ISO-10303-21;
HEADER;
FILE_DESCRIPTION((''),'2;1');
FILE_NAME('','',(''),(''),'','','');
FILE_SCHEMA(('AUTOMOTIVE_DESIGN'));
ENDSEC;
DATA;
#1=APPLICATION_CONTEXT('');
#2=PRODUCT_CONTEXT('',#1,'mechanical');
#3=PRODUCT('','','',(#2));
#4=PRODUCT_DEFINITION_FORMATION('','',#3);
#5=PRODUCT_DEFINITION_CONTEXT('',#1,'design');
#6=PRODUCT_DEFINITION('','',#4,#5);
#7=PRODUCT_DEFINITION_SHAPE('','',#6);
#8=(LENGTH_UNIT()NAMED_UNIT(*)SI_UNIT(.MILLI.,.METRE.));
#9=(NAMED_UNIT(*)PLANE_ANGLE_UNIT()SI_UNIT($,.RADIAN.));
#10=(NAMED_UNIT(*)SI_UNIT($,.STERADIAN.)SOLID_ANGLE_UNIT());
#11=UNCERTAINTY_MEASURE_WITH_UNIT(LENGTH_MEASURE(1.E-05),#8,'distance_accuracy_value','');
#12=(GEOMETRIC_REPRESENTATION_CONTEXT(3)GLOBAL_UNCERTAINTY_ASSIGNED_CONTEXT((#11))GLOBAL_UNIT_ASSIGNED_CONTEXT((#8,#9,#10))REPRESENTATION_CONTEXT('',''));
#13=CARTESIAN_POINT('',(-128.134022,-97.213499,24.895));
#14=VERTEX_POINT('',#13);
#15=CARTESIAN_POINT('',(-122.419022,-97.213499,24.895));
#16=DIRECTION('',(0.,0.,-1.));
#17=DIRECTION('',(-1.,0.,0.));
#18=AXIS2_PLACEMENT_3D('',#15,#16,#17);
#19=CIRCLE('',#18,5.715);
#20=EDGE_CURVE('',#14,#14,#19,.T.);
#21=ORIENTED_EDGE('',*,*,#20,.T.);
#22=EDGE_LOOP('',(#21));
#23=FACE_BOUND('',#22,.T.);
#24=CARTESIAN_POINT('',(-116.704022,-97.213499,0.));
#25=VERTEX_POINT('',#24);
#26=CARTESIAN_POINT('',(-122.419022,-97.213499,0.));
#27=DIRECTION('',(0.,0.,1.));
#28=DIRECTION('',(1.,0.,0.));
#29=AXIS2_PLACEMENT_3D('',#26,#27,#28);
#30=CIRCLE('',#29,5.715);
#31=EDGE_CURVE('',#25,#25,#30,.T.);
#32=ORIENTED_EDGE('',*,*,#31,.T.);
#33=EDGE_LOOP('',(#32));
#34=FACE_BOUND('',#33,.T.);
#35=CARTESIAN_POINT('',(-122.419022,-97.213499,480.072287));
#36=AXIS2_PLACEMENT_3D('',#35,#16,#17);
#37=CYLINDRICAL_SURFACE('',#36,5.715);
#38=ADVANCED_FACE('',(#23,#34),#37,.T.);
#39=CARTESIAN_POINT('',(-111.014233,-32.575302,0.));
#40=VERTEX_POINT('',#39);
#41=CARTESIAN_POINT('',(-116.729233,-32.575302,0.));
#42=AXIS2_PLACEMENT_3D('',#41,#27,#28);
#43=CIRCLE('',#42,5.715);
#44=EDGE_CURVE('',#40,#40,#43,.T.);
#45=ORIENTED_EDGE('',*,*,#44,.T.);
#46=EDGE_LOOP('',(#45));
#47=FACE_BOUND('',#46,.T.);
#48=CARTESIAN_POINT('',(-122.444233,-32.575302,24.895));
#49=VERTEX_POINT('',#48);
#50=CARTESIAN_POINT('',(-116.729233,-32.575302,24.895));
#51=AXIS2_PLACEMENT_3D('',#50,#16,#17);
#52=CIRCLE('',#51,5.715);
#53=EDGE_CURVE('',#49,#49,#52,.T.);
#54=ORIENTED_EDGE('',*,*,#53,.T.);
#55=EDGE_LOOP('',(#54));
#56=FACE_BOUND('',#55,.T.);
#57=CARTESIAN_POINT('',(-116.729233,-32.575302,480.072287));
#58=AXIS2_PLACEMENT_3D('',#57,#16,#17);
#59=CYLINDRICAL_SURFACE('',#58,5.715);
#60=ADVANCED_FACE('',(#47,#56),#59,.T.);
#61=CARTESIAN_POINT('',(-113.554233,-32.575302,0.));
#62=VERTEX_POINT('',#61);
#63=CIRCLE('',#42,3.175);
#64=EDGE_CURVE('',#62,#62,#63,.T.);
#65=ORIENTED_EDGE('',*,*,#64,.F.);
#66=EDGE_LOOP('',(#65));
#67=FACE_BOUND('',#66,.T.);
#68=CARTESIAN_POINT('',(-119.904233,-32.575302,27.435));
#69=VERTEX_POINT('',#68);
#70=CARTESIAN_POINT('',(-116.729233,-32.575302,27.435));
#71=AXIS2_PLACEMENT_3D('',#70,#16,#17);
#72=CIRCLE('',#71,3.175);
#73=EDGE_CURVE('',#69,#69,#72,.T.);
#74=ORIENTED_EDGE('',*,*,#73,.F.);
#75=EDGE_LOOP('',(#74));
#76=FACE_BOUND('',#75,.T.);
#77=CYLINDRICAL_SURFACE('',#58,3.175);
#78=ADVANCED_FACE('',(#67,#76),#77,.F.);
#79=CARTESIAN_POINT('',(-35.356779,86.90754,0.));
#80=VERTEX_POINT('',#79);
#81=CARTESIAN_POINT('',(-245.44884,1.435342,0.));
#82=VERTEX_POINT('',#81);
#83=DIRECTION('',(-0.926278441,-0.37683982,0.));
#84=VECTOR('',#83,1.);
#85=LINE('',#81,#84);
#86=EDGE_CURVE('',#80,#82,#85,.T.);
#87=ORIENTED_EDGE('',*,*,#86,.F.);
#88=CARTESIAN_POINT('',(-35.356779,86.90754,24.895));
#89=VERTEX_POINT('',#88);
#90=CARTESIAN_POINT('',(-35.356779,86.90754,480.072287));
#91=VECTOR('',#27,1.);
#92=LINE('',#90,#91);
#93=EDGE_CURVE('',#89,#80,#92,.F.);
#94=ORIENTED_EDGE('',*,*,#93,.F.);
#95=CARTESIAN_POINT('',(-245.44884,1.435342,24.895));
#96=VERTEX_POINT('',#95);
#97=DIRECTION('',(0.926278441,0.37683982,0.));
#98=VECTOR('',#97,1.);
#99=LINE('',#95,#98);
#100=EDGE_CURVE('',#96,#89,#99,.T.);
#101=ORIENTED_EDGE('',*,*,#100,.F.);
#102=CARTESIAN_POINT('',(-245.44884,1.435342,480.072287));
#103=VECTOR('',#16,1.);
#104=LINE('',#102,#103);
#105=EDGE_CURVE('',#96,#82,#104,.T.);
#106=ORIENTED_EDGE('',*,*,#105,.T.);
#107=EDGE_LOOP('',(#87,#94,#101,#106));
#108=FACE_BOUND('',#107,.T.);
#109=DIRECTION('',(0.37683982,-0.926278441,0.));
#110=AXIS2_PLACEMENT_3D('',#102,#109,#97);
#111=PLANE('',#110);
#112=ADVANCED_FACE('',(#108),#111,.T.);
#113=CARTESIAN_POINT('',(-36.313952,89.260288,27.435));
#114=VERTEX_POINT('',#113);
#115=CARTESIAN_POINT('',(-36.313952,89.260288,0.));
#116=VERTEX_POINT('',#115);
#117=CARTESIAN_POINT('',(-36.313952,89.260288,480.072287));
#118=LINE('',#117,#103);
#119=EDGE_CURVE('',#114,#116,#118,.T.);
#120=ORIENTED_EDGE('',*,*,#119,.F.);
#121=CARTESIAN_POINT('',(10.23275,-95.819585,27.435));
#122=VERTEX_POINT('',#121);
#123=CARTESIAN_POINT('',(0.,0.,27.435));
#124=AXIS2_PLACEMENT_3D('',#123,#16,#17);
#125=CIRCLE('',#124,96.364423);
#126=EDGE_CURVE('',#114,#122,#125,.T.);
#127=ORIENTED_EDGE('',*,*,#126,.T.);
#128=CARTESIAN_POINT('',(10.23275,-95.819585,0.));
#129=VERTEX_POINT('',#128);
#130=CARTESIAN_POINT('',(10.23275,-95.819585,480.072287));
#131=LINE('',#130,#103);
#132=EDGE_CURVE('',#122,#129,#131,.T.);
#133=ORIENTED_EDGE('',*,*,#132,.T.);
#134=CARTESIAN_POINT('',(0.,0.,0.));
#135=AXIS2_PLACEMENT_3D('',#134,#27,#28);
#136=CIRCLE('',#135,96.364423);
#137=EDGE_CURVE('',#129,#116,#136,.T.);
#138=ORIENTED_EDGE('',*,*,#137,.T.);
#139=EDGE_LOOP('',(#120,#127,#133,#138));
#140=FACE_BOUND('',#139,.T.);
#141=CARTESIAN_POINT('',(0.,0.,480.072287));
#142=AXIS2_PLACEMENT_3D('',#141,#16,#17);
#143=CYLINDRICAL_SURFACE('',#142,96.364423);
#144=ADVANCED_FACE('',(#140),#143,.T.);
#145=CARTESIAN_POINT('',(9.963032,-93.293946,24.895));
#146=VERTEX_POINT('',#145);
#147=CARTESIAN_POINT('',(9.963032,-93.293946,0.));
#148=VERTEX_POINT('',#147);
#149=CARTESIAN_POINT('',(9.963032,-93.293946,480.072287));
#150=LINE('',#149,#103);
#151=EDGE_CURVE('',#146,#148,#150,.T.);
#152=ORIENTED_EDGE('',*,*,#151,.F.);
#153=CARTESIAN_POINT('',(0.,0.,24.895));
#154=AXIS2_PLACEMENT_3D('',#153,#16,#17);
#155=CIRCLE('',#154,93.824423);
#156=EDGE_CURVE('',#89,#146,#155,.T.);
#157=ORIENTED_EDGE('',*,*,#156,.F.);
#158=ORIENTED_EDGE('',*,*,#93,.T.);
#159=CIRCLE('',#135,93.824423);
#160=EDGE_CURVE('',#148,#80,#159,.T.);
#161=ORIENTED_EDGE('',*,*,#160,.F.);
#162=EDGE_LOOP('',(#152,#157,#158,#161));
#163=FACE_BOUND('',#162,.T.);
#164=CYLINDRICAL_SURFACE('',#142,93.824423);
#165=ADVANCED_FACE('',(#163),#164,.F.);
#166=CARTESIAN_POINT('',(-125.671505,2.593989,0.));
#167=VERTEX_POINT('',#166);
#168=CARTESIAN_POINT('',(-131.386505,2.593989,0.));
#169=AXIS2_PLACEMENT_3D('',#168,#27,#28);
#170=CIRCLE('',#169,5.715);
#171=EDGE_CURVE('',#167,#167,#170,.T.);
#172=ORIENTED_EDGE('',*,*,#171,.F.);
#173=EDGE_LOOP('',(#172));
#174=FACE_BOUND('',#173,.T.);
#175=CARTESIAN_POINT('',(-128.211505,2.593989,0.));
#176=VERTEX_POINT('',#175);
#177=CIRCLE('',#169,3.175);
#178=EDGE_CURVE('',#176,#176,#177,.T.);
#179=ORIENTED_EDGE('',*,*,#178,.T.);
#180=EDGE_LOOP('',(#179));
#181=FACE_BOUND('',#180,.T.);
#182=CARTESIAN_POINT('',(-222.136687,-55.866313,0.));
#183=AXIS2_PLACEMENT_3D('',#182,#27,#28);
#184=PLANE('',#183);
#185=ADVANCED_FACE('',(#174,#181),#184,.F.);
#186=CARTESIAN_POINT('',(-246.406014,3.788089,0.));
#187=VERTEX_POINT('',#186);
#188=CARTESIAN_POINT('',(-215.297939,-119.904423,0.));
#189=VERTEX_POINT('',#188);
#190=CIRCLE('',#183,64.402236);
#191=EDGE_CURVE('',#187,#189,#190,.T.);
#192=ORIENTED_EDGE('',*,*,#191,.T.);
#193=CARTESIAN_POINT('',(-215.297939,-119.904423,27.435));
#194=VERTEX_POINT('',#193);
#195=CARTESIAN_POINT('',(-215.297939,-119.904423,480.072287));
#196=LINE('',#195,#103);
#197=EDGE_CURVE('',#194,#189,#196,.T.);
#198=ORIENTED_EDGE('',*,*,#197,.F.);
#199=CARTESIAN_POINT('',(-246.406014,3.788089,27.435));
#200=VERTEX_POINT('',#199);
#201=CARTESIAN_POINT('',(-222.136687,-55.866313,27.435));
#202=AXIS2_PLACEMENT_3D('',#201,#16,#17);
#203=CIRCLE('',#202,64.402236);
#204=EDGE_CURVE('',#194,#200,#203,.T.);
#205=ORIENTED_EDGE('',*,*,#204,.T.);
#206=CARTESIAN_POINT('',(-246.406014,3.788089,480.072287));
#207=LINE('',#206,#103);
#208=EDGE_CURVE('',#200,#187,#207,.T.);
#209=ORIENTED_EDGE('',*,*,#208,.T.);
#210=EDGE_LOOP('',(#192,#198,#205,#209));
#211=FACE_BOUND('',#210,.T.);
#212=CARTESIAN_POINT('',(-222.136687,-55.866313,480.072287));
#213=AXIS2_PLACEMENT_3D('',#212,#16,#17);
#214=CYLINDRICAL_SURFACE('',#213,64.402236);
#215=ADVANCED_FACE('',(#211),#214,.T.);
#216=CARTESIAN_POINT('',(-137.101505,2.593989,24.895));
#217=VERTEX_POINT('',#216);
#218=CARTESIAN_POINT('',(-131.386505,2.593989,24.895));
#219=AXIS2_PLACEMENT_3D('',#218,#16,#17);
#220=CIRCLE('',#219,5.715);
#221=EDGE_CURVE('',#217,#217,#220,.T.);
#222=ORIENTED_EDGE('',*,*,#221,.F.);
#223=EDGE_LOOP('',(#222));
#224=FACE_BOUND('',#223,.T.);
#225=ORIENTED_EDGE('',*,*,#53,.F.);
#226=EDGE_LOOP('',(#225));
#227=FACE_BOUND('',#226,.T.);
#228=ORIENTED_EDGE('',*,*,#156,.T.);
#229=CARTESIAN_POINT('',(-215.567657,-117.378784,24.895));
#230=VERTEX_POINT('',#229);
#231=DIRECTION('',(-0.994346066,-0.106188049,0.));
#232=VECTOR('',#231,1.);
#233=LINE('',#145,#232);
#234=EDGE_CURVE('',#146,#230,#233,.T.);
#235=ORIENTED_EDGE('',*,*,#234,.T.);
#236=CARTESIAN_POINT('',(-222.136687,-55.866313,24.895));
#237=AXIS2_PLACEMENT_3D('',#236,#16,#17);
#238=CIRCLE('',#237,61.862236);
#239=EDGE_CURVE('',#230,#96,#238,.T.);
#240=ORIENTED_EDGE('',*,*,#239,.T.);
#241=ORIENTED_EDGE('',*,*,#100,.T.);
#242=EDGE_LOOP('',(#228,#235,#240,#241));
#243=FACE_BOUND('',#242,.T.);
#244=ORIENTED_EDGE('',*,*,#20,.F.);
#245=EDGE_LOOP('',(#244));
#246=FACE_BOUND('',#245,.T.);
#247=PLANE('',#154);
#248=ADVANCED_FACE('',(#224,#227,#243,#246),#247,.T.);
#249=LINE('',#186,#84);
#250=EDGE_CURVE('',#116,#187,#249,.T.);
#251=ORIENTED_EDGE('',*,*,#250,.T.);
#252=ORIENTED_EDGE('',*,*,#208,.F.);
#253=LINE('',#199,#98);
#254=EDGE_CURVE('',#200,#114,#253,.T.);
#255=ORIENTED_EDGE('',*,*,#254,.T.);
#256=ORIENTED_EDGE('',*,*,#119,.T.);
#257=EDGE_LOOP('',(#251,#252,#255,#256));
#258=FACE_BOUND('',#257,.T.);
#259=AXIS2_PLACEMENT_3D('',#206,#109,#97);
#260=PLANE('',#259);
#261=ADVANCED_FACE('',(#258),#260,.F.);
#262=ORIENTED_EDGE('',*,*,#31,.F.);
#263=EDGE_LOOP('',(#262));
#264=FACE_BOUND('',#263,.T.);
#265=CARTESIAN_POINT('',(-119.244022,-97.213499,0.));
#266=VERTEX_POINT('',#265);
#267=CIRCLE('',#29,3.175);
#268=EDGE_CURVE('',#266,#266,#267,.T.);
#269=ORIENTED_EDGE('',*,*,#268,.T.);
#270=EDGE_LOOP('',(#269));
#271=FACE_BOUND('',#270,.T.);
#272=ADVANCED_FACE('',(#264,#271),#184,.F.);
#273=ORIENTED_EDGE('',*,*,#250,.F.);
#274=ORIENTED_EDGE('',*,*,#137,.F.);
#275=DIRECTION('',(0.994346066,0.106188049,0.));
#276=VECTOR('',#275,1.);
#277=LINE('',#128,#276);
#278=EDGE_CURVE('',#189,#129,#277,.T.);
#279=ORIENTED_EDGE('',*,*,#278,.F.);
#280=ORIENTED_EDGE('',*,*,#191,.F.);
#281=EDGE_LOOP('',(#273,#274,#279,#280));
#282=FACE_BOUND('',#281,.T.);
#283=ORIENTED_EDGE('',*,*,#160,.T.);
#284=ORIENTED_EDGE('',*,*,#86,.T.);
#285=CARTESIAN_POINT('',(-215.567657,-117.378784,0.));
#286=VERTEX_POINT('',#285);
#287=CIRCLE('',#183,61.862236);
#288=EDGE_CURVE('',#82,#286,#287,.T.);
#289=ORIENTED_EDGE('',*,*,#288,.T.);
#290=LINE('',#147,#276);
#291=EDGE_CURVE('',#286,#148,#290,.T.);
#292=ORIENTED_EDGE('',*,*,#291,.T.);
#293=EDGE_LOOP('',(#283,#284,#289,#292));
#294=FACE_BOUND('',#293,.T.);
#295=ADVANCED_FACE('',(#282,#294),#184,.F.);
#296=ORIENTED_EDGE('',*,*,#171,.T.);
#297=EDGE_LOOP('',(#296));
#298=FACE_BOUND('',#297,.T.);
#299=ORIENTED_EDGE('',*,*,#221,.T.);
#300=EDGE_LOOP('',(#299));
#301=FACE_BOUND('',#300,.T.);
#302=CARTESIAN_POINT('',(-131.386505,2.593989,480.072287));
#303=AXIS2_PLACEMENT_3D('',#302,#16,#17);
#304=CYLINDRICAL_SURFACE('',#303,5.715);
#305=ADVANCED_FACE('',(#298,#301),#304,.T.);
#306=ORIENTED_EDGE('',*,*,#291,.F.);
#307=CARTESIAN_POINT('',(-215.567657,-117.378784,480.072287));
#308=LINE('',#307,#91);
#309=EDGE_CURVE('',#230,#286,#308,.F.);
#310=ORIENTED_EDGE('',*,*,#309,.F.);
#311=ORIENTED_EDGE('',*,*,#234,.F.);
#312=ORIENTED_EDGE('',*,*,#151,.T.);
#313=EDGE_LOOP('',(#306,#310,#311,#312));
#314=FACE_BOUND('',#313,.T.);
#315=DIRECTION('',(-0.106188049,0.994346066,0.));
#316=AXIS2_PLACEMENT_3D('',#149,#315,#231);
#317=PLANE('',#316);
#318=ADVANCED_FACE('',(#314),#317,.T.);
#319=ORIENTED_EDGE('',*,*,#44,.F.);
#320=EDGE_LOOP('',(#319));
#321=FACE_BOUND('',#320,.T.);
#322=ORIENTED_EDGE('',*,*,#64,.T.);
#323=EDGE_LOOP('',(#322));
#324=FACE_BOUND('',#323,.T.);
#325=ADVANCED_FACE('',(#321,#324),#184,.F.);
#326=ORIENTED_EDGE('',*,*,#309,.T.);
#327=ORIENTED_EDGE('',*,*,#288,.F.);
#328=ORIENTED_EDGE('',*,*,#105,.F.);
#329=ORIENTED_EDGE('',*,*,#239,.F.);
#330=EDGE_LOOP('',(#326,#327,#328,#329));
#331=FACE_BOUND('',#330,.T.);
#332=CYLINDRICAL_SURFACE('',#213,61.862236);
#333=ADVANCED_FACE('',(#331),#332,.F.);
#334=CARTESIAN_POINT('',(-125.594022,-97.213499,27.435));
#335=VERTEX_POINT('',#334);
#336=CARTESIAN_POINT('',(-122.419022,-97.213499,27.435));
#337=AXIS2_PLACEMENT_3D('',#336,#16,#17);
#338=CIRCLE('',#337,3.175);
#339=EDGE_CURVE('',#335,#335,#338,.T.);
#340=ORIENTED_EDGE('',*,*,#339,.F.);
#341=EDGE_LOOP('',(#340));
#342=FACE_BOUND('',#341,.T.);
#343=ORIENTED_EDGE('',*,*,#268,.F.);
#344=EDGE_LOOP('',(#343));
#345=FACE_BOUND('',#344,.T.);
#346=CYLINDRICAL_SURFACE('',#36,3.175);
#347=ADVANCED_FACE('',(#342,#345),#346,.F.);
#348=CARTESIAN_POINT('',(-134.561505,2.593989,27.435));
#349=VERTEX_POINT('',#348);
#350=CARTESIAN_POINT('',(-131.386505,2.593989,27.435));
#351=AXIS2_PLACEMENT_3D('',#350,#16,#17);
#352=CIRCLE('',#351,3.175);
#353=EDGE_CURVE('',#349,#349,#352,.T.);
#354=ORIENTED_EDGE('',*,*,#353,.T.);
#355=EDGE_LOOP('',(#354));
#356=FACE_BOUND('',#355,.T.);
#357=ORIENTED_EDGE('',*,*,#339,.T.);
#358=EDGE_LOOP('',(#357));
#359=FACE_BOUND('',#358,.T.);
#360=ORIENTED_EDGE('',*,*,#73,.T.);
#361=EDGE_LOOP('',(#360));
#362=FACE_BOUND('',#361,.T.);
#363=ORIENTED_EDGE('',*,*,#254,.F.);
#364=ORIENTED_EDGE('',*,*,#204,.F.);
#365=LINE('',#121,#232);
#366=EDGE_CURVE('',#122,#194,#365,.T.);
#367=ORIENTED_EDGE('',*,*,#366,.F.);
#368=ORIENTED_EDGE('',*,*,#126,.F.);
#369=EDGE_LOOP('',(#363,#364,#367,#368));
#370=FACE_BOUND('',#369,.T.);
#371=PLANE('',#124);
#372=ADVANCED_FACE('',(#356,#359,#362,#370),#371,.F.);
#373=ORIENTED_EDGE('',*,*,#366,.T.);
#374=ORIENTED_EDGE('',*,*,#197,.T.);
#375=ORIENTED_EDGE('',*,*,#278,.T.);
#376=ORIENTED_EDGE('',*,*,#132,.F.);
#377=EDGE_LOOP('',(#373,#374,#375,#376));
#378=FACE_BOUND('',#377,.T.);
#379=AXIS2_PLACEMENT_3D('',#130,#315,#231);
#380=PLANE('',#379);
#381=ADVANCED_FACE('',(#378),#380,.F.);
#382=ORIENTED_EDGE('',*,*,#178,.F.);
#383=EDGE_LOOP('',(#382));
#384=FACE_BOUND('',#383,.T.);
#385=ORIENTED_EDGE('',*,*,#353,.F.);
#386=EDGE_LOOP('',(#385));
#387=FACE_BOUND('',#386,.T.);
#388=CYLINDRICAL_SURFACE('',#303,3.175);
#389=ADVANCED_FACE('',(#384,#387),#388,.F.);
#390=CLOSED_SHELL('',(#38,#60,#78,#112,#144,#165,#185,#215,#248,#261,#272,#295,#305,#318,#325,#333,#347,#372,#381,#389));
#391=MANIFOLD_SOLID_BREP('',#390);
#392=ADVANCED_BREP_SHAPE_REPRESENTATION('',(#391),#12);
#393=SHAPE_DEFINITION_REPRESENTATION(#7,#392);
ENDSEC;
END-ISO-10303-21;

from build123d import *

# Parameters (mm, degrees)
SKETCH1_R           = 3.175
BOSS_EXTRUDE1_DEPTH = 27.435
SHELL1_T            = -2.54


with BuildPart() as part:
    # Sketch1 → Boss-Extrude1 (new body)
    with BuildSketch(Plane.XY):
        with BuildLine():
            Line((-246.406013588, 3.788089061), (-36.31395184, 89.260287536))
            ThreePointArc((-36.31395184, 89.260287536), (93.454251213, 23.503296779), (10.232750038, -95.819584929))
            Line((10.232750038, -95.819584929), (-215.29793902, -119.904422791))
            ThreePointArc((-215.29793902, -119.904422791), (-284.593997313, -71.574027866), (-246.406013588, 3.788089061))
        make_face()
        with Locations(Location((-131.38650471, 2.593989183, 0), (0, 0, 180))):
            Circle(SKETCH1_R, mode=Mode.SUBTRACT)
        with Locations(Location((-116.729233004, -32.575302177, 0), (0, 0, 180))):
            Circle(SKETCH1_R, mode=Mode.SUBTRACT)
        with Locations(Location((-122.41902156, -97.213498796, 0), (0, 0, 180))):
            Circle(SKETCH1_R, mode=Mode.SUBTRACT)
    extrude(amount=BOSS_EXTRUDE1_DEPTH)

    # Shell1
    shell1_openings = [part.faces().sort_by_distance(p)[0] for p in [
        (-83.986643927, -21.103730923, 0),
    ]]
    offset(amount=SHELL1_T, openings=shell1_openings, kind=Kind.INTERSECTION)


solid = part.part
